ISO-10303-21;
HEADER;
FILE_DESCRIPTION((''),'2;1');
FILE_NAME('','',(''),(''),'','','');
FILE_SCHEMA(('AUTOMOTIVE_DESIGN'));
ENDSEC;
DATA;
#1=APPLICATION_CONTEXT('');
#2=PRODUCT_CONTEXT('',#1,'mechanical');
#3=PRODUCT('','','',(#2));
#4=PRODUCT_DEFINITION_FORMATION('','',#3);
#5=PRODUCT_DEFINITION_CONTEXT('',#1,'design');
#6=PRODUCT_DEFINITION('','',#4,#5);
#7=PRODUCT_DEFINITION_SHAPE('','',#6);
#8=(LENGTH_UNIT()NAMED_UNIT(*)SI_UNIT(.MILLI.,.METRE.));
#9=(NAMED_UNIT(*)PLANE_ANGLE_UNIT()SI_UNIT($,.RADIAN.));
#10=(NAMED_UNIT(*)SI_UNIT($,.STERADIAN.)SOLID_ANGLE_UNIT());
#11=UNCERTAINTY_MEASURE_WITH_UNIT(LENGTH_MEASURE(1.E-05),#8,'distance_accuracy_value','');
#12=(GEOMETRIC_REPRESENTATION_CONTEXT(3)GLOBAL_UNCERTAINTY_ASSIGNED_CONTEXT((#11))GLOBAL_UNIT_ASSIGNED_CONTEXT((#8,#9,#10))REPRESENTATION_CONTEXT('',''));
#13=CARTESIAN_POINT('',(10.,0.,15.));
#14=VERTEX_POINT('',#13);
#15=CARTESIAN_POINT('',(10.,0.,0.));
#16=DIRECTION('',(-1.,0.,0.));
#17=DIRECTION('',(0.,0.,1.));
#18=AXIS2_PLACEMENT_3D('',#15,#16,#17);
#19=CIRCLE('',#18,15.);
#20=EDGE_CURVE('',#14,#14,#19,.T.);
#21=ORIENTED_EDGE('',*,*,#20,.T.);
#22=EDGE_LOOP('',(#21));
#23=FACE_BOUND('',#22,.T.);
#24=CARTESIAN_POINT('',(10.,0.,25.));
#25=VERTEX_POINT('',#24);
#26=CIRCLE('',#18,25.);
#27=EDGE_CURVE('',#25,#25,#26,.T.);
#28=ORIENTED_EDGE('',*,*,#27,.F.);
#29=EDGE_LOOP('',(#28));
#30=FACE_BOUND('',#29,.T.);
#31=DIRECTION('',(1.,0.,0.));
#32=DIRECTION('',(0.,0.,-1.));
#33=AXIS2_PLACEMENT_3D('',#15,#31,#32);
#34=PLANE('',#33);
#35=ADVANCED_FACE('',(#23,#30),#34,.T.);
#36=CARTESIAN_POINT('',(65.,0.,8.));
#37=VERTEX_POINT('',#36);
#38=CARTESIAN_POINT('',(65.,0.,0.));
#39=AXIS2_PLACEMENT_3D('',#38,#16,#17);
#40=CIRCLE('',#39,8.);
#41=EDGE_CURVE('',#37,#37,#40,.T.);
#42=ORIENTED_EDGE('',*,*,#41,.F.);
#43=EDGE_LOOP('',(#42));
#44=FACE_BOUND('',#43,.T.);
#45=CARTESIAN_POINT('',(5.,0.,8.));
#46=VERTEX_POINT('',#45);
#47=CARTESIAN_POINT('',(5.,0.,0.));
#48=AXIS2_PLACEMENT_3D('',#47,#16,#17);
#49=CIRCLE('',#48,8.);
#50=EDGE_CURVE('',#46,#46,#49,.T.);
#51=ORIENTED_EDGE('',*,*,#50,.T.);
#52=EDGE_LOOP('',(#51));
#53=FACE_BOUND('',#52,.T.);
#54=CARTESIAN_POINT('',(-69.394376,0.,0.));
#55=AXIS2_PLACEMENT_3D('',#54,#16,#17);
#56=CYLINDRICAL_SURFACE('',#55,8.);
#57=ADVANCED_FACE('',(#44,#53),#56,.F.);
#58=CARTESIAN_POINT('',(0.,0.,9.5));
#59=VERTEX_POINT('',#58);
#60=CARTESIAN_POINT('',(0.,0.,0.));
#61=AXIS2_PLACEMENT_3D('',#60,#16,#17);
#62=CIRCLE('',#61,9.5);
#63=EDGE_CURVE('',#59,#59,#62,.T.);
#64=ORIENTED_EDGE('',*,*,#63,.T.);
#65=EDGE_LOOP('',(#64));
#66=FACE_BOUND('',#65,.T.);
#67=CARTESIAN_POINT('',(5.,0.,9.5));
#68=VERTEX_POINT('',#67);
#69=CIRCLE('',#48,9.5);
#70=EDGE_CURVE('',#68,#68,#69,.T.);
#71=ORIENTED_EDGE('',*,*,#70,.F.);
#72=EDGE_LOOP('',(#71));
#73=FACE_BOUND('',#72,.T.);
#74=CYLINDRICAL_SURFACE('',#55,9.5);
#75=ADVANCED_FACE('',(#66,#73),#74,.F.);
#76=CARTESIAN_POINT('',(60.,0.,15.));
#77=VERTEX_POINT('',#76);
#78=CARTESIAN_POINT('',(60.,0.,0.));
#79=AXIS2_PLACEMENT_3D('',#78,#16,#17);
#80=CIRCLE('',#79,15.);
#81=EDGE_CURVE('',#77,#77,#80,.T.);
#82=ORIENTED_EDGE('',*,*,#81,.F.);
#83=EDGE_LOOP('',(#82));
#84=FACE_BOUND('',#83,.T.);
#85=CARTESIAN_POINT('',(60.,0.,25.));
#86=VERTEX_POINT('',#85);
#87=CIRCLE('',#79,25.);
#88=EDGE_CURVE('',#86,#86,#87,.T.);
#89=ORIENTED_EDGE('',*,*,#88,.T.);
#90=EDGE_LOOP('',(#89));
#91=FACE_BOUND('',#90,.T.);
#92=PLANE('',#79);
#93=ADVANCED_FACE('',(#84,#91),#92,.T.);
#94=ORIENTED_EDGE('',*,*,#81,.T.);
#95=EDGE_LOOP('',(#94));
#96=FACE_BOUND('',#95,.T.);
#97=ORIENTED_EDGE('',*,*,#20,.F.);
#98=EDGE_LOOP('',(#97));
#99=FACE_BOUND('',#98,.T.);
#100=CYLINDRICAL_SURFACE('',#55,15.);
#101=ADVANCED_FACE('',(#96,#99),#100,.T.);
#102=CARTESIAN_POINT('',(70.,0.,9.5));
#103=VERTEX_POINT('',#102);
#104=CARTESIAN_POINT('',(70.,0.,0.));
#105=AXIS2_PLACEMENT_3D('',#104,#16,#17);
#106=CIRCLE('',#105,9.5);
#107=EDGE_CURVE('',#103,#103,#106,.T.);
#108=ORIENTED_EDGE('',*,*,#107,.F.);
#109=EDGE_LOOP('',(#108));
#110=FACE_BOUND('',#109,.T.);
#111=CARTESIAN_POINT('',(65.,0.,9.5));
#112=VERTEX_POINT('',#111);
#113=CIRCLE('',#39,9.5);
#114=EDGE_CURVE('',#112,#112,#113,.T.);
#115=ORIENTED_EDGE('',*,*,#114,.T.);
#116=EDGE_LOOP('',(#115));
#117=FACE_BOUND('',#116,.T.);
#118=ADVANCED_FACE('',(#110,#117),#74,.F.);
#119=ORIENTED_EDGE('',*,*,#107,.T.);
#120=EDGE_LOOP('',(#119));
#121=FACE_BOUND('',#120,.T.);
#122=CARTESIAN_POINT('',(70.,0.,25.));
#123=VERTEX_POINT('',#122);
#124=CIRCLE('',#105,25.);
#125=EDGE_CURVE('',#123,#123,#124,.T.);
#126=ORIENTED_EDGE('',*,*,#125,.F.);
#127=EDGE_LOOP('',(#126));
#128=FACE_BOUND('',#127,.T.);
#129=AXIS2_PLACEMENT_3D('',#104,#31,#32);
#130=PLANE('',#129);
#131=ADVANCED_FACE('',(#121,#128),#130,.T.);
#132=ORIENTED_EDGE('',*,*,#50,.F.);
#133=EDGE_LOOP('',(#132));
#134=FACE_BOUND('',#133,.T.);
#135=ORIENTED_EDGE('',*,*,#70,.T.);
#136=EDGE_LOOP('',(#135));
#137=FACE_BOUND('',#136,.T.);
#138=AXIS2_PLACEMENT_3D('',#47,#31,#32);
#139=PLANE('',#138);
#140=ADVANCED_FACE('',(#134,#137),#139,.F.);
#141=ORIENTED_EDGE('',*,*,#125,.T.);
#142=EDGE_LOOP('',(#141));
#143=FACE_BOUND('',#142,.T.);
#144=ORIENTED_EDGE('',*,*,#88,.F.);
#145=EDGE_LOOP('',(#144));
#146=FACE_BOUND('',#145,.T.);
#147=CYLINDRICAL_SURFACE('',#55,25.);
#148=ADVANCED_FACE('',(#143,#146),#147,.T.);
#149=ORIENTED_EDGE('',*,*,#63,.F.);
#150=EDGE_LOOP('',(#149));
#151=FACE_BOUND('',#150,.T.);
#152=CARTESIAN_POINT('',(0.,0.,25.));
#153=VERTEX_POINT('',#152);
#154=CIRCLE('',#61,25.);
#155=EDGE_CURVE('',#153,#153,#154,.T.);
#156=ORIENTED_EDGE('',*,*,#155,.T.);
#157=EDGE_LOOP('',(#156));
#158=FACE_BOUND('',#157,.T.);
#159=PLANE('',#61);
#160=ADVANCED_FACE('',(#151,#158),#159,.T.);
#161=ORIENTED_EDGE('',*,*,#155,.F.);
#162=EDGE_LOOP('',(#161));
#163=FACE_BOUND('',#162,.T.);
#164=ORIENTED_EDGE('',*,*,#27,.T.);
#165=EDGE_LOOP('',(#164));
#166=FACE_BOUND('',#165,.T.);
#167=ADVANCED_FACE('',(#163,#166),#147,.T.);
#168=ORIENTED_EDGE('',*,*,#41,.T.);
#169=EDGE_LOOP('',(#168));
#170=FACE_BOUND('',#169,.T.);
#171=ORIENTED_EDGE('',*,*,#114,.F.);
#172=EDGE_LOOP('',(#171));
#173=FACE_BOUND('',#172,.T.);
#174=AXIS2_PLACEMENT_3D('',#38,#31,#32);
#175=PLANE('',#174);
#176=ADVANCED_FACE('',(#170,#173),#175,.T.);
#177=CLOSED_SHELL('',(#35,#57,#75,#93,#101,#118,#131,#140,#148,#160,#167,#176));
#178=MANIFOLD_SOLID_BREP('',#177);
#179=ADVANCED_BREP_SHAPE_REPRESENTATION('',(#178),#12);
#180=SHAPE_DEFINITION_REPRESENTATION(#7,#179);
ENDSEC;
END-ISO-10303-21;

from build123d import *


with BuildPart() as part:
    # 草图1 → 旋转2 (revolve)
    with BuildSketch(Plane.XY, mode=Mode.PRIVATE) as revolve_2_sk:
        Polygon((5, 9.5), (5, 8), (65, 8), (65, 9.5), (70, 9.5), (70, 25), (60, 25), (60, 15), (10, 15), (10, 25), (0, 25), (0, 9.5), align=None)
    revolve(revolve_2_sk.sketch.rotate(Axis((-69.394375711, 0, 0), (1, 0, 0)), 90), axis=Axis((-69.394375711, 0, 0), (1, 0, 0)))


solid = part.part
